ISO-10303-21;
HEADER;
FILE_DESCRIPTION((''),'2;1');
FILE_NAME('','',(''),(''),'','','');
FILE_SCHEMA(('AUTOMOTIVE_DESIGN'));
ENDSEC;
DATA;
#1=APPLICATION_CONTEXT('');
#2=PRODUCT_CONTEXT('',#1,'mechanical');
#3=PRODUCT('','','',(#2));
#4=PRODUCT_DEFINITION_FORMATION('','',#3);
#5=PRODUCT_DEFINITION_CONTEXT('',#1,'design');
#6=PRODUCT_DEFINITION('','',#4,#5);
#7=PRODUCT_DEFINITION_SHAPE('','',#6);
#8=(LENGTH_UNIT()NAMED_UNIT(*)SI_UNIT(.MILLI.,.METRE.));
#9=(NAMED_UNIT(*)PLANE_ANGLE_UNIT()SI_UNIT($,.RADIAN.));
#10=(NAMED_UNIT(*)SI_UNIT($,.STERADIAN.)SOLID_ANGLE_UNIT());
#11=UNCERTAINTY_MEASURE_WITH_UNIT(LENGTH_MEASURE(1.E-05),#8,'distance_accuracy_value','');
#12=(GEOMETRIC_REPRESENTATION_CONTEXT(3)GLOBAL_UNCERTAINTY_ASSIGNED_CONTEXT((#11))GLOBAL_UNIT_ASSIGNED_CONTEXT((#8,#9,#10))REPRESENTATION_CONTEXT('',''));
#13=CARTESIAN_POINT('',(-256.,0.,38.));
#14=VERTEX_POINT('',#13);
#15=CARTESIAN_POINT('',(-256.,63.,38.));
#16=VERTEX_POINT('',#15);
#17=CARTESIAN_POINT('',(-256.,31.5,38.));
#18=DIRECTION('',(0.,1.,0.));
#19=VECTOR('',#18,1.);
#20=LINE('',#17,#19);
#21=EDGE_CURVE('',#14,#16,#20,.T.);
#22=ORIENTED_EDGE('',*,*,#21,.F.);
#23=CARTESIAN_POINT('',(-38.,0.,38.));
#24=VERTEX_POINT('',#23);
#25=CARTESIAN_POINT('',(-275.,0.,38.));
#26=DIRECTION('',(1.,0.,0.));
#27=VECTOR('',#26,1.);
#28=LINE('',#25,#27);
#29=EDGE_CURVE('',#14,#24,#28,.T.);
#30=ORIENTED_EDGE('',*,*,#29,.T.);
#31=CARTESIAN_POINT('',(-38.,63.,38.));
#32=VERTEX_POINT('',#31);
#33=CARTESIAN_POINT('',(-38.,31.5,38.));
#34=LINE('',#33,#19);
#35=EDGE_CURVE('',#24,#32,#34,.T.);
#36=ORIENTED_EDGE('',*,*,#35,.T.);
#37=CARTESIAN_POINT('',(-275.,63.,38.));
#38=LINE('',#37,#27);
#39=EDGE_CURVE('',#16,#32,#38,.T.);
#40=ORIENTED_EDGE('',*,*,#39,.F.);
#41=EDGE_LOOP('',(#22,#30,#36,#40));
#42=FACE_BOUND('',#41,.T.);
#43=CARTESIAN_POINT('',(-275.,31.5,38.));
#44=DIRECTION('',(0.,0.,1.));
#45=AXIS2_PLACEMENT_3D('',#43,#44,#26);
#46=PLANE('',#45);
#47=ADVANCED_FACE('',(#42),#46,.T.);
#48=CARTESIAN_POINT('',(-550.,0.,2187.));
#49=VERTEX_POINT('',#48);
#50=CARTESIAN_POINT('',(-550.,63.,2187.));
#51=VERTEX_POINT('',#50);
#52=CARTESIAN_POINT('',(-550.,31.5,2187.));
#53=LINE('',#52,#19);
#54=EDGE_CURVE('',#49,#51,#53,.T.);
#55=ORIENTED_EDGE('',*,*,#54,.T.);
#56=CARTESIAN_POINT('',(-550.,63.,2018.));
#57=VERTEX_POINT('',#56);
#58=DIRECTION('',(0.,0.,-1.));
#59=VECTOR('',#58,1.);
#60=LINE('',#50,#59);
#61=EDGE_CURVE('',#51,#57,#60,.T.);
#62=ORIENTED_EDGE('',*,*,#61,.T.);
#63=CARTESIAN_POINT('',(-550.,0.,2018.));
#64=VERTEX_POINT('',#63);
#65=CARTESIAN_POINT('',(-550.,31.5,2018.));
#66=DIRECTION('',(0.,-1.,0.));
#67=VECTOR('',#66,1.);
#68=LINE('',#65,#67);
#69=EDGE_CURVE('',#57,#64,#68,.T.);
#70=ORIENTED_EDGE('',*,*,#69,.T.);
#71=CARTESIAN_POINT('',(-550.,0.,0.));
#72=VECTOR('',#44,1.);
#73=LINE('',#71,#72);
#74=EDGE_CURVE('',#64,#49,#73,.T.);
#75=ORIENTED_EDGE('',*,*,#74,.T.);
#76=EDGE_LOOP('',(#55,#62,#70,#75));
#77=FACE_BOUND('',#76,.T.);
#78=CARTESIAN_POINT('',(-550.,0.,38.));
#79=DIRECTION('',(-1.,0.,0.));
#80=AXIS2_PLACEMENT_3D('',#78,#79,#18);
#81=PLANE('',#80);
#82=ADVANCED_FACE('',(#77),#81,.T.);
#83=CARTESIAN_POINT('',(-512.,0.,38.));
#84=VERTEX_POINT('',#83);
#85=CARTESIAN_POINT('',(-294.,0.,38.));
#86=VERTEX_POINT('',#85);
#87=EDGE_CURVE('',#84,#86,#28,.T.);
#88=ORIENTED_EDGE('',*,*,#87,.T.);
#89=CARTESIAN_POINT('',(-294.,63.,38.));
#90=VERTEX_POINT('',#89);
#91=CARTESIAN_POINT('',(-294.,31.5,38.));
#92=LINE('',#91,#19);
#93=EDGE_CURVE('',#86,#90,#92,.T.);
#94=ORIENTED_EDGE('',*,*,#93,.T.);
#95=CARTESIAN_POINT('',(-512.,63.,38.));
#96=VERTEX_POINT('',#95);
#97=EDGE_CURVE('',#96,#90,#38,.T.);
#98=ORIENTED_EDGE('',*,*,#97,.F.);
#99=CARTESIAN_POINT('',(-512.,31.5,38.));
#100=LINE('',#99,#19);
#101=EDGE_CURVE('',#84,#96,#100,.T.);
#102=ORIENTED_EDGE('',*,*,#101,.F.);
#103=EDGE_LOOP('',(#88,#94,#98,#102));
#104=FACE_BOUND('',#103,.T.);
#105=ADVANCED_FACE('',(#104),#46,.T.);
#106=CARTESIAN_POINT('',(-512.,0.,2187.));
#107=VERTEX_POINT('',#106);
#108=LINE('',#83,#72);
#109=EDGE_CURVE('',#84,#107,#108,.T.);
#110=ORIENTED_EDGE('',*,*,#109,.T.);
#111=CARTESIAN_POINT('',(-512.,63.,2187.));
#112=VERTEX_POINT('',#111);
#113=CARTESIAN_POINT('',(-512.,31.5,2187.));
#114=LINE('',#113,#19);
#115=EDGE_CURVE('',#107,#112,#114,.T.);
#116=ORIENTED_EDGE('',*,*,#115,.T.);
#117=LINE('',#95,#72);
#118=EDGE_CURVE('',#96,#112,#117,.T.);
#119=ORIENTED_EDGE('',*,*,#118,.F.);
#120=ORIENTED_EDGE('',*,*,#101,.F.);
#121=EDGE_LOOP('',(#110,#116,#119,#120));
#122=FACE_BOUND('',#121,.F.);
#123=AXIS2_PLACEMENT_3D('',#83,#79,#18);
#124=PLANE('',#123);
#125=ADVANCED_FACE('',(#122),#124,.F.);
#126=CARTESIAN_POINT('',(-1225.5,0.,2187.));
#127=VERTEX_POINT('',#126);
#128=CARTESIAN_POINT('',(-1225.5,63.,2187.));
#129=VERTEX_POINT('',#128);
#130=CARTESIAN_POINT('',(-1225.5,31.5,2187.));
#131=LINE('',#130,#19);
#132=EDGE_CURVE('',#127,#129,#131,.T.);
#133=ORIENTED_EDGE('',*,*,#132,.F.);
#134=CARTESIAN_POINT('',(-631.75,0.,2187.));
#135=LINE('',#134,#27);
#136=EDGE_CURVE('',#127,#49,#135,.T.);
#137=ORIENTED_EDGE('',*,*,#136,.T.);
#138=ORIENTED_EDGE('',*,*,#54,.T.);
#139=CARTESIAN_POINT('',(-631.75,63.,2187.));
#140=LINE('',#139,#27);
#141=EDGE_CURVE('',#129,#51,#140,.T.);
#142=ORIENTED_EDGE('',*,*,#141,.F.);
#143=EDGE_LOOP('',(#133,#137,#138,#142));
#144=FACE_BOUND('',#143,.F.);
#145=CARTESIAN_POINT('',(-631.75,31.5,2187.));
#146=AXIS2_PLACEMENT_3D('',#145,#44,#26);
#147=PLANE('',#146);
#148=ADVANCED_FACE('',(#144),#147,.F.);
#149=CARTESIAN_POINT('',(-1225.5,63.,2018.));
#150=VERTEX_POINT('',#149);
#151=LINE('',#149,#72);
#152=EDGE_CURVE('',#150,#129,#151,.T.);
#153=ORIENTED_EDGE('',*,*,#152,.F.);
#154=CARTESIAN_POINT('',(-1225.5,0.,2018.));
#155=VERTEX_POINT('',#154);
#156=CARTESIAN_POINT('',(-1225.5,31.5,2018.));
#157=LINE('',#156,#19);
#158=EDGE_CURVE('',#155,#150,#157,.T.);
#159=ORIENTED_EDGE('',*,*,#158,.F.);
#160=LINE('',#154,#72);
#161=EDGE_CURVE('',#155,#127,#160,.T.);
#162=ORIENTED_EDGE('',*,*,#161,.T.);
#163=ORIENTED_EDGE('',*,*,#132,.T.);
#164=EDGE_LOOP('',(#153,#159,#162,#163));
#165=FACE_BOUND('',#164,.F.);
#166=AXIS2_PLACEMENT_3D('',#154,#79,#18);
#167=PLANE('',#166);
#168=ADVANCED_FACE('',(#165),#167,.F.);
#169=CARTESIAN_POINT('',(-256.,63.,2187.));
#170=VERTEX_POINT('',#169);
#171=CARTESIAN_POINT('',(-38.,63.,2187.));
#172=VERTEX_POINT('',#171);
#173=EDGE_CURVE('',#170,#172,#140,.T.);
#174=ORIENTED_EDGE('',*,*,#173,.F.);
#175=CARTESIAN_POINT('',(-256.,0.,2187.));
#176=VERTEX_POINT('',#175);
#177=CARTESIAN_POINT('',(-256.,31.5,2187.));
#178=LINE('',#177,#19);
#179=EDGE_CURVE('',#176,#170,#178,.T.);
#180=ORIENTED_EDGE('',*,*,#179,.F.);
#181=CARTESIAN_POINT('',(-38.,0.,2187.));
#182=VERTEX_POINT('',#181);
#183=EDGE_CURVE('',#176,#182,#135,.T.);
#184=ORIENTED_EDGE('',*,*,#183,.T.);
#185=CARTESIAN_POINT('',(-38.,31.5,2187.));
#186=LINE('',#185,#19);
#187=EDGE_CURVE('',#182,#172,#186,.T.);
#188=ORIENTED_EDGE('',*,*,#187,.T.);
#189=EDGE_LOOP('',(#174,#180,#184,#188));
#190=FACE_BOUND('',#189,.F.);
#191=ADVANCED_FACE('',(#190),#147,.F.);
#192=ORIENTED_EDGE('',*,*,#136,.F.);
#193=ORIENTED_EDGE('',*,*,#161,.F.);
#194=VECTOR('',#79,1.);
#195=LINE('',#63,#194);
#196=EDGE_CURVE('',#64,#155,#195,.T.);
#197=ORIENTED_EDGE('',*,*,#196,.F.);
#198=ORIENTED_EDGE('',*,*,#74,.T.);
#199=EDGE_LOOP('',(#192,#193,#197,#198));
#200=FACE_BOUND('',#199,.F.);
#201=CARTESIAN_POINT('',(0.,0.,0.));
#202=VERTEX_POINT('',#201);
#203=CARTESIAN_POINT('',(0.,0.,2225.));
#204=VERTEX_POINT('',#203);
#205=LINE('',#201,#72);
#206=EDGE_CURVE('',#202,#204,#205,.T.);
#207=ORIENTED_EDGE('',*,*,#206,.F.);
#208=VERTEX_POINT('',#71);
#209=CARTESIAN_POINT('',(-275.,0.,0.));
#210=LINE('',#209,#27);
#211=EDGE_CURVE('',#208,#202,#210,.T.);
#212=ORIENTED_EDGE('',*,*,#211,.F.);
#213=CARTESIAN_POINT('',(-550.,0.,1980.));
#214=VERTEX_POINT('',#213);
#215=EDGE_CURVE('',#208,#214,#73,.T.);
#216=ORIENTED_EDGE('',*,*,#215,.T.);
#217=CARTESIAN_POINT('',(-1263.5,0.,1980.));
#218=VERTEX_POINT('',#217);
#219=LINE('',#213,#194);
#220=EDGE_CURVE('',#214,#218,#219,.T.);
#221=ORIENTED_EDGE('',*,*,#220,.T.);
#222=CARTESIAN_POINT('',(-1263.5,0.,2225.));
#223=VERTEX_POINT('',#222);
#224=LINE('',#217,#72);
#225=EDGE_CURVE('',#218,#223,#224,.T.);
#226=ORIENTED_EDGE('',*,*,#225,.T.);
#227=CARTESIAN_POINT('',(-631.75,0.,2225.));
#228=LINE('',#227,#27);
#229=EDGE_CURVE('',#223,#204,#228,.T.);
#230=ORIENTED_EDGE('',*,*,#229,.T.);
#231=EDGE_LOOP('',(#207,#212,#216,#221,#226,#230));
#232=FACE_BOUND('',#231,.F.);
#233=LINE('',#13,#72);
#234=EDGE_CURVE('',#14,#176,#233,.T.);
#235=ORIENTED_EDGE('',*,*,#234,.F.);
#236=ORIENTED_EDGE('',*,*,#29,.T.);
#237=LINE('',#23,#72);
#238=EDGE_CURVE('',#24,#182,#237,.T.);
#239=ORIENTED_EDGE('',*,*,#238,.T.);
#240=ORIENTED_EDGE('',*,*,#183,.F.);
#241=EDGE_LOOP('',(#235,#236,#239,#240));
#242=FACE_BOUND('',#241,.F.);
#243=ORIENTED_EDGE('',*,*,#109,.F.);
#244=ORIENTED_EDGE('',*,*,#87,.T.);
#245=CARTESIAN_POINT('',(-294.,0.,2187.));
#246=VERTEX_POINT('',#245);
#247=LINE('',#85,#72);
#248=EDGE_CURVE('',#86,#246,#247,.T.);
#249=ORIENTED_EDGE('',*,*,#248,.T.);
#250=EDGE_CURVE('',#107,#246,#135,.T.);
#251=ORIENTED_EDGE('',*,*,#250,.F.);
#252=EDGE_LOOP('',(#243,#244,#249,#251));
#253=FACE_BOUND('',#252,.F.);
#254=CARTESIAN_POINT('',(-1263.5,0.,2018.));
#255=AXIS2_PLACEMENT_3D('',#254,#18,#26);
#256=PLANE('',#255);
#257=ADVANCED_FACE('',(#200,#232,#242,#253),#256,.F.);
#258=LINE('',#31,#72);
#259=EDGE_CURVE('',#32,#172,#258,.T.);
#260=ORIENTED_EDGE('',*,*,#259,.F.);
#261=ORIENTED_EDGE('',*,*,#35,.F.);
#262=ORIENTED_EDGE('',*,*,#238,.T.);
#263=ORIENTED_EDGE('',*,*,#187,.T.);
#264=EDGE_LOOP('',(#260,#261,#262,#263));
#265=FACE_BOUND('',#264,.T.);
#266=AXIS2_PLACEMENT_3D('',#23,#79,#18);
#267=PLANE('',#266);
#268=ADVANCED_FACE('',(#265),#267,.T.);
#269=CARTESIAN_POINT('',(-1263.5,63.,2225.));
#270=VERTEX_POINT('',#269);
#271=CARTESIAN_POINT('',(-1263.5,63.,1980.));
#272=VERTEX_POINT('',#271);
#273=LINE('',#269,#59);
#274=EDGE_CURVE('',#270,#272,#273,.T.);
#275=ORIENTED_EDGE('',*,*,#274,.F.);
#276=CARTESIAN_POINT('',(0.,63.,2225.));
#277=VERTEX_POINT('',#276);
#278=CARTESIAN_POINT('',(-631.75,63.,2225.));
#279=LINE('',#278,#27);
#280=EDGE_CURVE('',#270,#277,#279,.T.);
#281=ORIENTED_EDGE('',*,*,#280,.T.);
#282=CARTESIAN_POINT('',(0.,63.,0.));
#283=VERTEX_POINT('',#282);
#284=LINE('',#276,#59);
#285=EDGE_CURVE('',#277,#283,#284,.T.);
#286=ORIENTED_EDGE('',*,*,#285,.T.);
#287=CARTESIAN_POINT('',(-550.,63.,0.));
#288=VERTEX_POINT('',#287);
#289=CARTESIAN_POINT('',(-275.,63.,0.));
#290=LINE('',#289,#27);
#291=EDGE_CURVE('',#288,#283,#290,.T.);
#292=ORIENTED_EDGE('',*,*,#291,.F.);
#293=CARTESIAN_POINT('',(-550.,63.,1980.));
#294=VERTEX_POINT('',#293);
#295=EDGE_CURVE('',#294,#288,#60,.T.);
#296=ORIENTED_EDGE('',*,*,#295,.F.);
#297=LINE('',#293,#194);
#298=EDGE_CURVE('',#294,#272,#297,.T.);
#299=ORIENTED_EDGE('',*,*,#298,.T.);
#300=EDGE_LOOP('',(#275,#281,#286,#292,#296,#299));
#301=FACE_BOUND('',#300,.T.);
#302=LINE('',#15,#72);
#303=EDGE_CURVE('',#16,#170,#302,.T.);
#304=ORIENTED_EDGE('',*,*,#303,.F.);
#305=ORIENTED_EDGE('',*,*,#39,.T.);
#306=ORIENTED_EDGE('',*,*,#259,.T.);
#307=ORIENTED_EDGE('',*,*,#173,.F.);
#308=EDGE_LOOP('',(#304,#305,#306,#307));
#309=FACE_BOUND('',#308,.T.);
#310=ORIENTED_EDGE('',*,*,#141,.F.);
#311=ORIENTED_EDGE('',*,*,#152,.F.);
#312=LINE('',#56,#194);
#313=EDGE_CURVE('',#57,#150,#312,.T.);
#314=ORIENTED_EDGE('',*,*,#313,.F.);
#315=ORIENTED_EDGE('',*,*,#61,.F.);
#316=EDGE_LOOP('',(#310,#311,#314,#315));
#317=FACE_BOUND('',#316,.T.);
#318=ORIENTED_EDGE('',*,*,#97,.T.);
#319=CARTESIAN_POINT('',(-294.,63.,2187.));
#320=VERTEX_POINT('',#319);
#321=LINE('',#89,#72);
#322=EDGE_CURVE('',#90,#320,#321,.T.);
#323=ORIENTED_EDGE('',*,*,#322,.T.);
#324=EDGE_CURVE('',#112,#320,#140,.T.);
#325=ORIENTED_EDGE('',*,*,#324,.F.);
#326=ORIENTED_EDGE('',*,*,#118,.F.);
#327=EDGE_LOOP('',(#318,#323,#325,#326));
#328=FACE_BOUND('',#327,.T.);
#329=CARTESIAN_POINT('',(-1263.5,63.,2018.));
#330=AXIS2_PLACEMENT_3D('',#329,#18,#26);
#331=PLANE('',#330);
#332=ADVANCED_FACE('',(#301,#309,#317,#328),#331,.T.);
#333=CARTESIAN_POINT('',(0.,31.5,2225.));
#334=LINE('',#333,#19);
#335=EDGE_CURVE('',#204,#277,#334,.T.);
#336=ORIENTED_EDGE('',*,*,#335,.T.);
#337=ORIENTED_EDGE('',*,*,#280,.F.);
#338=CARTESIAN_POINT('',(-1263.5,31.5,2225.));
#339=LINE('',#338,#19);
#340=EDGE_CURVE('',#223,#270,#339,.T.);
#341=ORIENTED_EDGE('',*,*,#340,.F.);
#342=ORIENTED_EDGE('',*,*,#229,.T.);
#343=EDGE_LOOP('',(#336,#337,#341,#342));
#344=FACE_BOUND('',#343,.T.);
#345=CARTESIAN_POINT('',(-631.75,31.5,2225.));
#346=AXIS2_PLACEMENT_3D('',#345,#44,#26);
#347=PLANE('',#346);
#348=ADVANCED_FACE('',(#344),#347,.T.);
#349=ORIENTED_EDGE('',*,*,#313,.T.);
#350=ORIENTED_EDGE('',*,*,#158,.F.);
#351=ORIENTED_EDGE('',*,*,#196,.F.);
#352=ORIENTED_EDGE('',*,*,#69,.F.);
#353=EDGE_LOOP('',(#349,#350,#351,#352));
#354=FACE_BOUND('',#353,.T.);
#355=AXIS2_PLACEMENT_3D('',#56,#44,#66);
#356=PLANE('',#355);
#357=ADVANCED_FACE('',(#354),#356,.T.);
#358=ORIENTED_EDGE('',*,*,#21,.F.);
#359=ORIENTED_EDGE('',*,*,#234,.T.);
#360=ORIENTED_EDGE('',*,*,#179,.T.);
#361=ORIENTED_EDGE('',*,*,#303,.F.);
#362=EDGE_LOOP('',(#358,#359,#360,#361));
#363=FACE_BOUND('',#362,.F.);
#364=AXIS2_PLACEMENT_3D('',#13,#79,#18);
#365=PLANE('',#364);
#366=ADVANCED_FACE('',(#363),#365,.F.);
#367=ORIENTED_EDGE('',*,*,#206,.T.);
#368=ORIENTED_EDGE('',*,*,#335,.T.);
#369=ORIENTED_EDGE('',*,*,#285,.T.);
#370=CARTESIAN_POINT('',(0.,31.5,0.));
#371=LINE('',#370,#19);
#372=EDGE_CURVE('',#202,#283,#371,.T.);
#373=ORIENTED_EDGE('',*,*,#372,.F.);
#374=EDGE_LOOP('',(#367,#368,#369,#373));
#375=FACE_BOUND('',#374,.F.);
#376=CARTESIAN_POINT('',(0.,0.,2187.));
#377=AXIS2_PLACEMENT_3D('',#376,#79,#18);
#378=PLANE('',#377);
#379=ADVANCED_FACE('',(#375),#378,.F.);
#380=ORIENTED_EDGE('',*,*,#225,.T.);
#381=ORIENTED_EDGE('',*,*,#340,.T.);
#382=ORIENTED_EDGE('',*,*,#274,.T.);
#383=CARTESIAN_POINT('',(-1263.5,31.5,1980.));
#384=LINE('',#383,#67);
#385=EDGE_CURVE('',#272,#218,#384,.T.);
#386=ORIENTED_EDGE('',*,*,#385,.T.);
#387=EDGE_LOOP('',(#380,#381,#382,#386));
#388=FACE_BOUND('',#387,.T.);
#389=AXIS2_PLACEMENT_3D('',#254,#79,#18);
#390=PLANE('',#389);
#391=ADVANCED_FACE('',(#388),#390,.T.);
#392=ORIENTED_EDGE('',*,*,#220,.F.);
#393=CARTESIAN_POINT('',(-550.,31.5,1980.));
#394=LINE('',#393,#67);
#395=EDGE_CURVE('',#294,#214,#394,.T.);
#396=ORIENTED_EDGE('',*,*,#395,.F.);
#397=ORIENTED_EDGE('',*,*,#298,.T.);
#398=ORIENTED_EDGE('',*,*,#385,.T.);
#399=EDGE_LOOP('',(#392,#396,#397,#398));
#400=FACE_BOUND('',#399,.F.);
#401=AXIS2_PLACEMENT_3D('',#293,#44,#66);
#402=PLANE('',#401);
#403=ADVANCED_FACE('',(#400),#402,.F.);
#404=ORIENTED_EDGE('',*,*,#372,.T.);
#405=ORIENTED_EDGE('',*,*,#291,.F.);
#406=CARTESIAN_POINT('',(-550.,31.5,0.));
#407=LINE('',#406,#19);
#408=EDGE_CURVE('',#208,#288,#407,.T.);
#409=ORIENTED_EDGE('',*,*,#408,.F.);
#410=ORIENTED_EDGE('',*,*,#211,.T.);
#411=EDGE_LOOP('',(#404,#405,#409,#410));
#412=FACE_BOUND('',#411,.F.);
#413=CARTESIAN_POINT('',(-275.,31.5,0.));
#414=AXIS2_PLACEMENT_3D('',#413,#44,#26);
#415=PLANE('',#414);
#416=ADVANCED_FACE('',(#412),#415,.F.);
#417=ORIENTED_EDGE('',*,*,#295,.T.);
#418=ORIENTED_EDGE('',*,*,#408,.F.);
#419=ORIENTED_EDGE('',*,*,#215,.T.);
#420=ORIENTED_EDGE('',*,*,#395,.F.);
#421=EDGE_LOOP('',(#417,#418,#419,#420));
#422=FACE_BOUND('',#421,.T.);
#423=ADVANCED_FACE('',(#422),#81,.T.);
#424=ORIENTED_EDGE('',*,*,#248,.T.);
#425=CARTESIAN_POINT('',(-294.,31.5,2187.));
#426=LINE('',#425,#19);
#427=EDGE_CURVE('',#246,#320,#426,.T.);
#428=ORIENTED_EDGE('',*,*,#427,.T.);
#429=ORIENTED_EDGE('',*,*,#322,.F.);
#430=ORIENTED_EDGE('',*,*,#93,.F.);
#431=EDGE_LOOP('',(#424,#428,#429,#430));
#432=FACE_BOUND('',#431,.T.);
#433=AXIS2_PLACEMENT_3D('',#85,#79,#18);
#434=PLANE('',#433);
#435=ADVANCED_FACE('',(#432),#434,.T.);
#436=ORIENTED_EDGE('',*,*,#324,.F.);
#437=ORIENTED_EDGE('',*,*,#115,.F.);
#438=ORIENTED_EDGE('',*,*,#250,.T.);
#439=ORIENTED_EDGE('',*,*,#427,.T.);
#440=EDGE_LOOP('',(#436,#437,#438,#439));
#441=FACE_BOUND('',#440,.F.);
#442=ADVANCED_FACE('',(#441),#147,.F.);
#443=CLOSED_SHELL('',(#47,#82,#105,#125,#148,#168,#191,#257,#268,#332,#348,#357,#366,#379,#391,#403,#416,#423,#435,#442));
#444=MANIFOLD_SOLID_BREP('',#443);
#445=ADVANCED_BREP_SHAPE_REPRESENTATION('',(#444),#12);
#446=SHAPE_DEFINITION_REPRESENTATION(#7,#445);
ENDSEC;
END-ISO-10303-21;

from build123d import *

# Parameters (mm, degrees)
F0_W      = 550
F0_H      = 63
F1_DEPTH  = 38
F2_W      = 38
F2_H      = 63
F3_DEPTH  = 2149
F4_W      = 38
F4_H      = 63
F5_DEPTH  = 2149
F6_W      = 38
F6_H      = 63
F7_DEPTH  = 2149
F8_W      = 1263.5
F8_H      = 63
F9_DEPTH  = 38
F10_W     = 63
F10_H     = 38
F11_DEPTH = 713.5
F12_W     = 38
F12_H     = 63
F13_DEPTH = 169


with BuildPart() as f1:
    # F0 (on Top) → F1 (new body)
    with BuildSketch(Plane.XY):
        with Locations((-275, 31.5)):
            Rectangle(F0_W, F0_H)
    extrude(amount=F1_DEPTH)

    # F2 (on face) → F3 (join)
    with BuildSketch(Plane.XY.offset(38)):
        with Locations((-531, 31.5)):
            Rectangle(F2_W, F2_H)
    extrude(amount=F3_DEPTH)

    # F4 (on face) → F5 (join)
    with BuildSketch(Plane.XY.offset(38)):
        with Locations((-19, 31.5)):
            Rectangle(F4_W, F4_H)
    extrude(amount=F5_DEPTH)

    # F6 (on face) → F7 (join)
    with BuildSketch(Plane.XY.offset(38)):
        with Locations((-275, 31.5)):
            Rectangle(F6_W, F6_H)
    extrude(amount=F7_DEPTH)

    # F8 (on face) → F9 (join)
    with BuildSketch(Plane.XY.offset(2187)):
        with Locations((-631.75, 31.5)):
            Rectangle(F8_W, F8_H)
    extrude(amount=F9_DEPTH)

    # F10 (on face) → F11 (join)
    with BuildSketch(Plane(origin=(-550, 0, 0), x_dir=(0, -1, 0), z_dir=(-1, 0, 0))):
        with Locations((-31.5, 1999)):
            Rectangle(F10_W, F10_H)
    extrude(amount=F11_DEPTH)

    # F12 (on face) → F13 (join)
    with BuildSketch(Plane.XY.offset(2018)):
        with Locations((-1244.5, 31.5)):
            Rectangle(F12_W, F12_H)
    extrude(amount=F13_DEPTH)


solid = f1.part
